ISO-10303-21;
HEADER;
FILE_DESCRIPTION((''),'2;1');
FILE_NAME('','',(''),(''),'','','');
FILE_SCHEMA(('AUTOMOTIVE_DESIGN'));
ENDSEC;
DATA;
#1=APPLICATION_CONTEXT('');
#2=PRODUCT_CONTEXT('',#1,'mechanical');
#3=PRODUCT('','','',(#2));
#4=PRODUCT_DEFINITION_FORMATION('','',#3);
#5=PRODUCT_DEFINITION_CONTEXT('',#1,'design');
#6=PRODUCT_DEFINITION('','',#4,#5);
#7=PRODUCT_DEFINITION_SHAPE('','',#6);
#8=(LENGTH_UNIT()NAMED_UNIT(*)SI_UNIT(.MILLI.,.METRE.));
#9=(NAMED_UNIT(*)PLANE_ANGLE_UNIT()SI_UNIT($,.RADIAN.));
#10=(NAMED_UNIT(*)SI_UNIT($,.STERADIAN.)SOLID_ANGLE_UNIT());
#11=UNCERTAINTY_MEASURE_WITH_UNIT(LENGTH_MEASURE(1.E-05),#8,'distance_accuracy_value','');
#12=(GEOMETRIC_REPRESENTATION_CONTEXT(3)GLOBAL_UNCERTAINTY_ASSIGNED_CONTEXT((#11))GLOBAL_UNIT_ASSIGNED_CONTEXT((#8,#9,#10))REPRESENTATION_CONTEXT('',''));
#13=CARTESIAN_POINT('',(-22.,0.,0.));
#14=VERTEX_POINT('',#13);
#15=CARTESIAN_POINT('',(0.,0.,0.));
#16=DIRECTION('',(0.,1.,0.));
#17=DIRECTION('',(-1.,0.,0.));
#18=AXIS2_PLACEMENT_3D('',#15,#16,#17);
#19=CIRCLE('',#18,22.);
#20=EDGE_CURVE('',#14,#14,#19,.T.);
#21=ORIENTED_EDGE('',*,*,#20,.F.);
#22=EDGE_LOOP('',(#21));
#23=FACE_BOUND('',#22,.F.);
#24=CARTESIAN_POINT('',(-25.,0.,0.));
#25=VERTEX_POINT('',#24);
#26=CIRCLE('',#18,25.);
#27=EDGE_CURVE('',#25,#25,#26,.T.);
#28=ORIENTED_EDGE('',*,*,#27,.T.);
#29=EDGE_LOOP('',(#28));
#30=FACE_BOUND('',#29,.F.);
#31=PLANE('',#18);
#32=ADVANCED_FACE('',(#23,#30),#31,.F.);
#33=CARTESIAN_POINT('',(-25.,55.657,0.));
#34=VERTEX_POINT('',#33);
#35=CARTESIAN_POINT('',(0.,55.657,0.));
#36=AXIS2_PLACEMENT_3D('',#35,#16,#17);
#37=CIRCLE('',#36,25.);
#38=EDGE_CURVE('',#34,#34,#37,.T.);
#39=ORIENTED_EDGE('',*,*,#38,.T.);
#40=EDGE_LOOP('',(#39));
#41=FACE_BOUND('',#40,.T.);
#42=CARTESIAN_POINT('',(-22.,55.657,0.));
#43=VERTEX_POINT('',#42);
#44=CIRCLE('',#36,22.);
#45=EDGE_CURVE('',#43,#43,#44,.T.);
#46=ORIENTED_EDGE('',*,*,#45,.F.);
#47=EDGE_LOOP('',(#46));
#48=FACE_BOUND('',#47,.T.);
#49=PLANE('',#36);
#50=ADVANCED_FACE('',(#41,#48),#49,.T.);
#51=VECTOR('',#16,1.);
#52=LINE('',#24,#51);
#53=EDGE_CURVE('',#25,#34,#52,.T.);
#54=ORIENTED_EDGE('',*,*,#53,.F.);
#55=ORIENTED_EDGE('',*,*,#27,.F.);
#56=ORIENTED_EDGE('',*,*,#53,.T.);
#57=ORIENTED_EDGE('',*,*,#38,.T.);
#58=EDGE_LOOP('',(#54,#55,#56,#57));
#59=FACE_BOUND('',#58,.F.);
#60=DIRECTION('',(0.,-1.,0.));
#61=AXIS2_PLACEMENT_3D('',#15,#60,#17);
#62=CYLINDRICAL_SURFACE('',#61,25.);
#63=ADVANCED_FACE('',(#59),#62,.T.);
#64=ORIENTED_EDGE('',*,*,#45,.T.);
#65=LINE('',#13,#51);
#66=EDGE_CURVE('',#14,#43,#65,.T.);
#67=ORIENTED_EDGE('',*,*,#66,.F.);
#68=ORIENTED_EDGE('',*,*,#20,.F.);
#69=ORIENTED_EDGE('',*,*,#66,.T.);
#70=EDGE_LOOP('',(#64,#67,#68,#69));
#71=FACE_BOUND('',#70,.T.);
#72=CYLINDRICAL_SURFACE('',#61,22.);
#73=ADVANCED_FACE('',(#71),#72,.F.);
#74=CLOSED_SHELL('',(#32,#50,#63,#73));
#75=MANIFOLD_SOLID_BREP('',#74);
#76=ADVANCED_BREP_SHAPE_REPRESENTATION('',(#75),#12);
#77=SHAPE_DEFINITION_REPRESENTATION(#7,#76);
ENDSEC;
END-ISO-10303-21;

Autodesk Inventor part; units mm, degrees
ref_plane "YZ Plane" through (0, 0, 0) normal (1, 0, 0) x (0, 1, 0)
ref_plane "XZ Plane" through (0, 0, 0) normal (0, 1, 0) x (-1, 0, 0)
ref_plane "XY Plane" through (0, 0, 0) normal (0, 0, 1) x (1, 0, 0)
sketch "Эскиз1" plane through (0, 0, 0) normal (0, 1, 0) x (-1, 0, 0)
  circle A0 centre (0, 0) radius 22
  circle A1 centre (0, 0) radius 25
  dimension "d0" = 44
  dimension "d1" = 50
extrude "Выдавливание1" add sketch "Эскиз1" along normal blind 55.657
properties part number "t"
